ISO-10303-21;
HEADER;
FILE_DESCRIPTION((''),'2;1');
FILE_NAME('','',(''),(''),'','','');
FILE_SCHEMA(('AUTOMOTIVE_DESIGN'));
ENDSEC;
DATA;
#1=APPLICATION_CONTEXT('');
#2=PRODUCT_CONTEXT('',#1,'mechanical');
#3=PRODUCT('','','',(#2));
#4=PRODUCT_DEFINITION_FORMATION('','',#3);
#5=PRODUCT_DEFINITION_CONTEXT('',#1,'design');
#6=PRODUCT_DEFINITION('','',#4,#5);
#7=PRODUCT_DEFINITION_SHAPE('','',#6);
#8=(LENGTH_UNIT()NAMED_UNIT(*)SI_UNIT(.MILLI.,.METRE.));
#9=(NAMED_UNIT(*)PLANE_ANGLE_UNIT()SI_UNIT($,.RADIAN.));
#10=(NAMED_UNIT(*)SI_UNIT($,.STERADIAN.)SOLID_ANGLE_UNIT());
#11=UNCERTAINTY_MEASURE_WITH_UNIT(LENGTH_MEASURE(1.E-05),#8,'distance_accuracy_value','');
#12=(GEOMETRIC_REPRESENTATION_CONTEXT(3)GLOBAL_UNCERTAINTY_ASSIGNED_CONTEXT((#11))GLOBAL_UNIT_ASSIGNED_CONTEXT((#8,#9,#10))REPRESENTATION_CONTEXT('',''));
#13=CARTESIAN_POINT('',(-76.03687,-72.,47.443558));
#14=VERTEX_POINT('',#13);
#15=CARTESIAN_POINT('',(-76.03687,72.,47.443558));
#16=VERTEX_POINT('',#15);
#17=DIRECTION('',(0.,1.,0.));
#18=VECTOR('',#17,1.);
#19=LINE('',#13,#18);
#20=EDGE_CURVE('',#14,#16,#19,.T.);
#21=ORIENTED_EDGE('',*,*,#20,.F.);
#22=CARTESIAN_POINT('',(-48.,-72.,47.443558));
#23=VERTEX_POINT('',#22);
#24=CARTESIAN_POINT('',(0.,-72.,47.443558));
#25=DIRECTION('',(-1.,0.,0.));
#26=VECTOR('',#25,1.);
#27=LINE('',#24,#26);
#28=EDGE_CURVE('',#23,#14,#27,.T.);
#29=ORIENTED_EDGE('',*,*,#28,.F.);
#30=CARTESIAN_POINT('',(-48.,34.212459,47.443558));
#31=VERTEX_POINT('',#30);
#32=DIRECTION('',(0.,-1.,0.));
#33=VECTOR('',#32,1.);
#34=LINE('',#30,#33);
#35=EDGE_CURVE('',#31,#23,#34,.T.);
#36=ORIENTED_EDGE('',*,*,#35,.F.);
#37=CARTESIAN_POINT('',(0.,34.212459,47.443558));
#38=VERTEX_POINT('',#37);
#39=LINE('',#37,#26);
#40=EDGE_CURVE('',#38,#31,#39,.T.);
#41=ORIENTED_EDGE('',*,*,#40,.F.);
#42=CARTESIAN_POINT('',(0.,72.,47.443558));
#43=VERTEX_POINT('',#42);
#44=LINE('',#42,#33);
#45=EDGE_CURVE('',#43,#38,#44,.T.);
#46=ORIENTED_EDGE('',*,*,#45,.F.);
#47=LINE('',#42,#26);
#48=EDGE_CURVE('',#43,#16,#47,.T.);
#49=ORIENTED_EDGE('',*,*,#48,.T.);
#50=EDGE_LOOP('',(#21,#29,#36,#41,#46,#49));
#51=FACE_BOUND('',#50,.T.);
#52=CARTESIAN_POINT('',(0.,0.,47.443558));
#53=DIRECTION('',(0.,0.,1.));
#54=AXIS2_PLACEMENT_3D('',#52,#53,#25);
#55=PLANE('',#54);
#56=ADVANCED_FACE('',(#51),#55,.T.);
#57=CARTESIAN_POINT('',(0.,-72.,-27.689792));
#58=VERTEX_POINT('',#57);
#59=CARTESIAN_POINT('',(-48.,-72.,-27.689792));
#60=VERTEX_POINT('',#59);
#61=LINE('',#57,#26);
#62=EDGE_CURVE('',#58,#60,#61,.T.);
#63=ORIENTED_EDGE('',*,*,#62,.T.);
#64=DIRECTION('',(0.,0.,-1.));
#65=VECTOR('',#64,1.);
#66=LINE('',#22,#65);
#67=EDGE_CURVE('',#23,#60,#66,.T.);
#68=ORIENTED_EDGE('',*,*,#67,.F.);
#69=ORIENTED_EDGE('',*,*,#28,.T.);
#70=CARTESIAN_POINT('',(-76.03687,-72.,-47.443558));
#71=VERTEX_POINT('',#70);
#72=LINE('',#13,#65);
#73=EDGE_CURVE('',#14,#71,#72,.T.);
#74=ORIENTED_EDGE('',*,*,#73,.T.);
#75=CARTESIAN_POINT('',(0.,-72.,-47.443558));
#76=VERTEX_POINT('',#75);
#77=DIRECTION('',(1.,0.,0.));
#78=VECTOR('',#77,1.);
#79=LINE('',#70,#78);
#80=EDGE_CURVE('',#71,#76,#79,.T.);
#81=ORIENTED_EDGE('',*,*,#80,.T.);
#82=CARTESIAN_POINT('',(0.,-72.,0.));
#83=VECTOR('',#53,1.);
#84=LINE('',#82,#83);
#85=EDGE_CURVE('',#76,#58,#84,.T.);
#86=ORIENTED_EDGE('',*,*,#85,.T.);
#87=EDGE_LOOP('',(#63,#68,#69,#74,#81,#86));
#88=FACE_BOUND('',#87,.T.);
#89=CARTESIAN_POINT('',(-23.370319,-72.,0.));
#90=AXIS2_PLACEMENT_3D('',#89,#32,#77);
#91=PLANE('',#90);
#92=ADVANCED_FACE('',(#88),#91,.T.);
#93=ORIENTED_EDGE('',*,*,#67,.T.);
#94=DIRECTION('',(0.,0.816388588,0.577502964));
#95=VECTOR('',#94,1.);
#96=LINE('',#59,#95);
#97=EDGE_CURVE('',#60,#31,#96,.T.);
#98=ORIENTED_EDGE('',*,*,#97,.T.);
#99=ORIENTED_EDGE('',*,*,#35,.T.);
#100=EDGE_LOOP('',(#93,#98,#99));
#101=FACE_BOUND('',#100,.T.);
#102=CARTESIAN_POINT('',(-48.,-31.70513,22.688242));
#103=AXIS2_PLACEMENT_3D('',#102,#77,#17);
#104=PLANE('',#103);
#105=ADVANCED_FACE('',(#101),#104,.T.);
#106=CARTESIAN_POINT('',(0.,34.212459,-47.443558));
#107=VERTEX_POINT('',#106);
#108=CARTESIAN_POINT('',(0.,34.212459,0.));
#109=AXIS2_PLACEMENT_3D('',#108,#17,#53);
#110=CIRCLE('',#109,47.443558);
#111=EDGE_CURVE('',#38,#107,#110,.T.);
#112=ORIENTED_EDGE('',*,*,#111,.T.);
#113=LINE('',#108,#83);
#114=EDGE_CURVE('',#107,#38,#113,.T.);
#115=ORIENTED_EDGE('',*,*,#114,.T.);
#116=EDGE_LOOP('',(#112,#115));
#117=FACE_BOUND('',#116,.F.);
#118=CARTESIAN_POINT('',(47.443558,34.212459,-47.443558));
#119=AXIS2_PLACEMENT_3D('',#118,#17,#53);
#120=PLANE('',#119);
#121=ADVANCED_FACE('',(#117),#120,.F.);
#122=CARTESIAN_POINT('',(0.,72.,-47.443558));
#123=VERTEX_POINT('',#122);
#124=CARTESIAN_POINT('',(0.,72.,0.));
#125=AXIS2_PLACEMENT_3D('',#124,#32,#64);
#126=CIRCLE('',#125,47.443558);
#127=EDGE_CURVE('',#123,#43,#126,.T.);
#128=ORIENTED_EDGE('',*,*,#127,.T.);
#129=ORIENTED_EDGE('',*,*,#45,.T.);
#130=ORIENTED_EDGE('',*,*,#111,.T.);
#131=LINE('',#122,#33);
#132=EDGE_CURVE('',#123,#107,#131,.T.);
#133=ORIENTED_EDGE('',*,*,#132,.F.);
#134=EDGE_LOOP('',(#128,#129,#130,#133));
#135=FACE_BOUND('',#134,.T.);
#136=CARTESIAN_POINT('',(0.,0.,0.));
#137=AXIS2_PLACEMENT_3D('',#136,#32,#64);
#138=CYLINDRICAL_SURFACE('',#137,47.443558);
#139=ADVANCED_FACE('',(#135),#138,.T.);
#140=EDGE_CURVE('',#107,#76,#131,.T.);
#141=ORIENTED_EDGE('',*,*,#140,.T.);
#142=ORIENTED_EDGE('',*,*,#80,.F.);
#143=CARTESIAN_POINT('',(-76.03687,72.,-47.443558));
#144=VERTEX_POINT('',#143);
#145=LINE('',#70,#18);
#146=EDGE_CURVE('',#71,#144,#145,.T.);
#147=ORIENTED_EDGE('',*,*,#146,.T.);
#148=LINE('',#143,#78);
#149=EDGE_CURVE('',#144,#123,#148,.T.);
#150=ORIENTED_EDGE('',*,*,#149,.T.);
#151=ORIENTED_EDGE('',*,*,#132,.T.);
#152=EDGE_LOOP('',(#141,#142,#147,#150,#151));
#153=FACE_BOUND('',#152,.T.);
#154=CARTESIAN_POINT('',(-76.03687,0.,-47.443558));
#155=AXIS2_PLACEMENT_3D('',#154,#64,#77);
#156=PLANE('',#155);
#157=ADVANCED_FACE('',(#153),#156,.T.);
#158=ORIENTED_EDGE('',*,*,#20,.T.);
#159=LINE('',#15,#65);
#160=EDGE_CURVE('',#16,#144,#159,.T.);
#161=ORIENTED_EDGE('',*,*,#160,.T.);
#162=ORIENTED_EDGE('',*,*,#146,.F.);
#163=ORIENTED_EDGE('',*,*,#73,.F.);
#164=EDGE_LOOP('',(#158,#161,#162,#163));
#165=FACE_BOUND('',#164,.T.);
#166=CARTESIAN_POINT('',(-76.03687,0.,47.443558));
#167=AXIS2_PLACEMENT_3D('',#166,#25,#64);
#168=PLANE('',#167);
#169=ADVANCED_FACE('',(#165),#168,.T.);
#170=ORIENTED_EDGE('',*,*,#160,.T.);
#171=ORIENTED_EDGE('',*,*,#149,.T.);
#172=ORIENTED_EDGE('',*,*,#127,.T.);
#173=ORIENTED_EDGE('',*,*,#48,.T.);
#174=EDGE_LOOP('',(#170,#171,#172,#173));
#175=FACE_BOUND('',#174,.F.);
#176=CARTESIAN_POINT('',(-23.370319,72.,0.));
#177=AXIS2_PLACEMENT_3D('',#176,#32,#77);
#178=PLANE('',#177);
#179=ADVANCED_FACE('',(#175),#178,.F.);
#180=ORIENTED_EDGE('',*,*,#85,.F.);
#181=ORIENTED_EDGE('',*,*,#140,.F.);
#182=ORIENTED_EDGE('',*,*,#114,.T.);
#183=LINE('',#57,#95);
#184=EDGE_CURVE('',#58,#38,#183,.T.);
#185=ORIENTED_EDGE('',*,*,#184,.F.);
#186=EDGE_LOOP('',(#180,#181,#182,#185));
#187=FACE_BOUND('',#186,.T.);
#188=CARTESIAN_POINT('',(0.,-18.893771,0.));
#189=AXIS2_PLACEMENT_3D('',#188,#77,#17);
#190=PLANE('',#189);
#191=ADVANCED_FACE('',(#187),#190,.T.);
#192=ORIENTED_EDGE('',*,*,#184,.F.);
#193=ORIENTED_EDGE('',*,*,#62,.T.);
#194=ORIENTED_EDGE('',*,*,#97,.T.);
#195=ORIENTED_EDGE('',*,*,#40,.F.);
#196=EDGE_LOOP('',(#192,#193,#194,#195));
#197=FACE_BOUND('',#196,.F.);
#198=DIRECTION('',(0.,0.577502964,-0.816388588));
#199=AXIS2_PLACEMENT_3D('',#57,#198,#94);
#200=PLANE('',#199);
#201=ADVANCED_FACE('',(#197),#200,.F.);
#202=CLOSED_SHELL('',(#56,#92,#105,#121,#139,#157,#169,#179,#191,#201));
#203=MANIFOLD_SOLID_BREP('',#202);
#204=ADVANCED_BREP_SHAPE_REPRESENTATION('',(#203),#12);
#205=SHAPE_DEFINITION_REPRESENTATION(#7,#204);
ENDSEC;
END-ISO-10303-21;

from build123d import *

# Parameters (mm, degrees)
F1_DEPTH = 72
F4_W     = 106.2124588788
F4_H     = 94.8871162292
F5_DEPTH = 47.4435581146
F7_DEPTH = 48


with BuildPart() as f1:
    # F0 (on Front) → F1 (new body, symmetric)
    with BuildSketch(Plane.XZ):
        with BuildLine():
            Line((-76.0368704796, -47.4435581146), (0, -47.4435581146))
            ThreePointArc((0, -47.4435581146), (47.4435581146, 0), (0, 47.4435581146))
            Line((0, 47.4435581146), (-76.0368704796, 47.4435581146))
            Line((-76.0368704796, 47.4435581146), (-76.0368704796, -47.4435581146))
        make_face()
    extrude(amount=F1_DEPTH, both=True)

    # F4 (on plane+point) → F5 (cut, through all)
    with BuildSketch(Plane.YZ.offset(47.4435581146)):
        with Locations((-18.8937705606, 0)):
            Rectangle(F4_W, F4_H)
    extrude(amount=-F5_DEPTH, mode=Mode.SUBTRACT)

    # F6 (on face) → F7 (cut)
    with BuildSketch(Plane.YZ):
        Polygon((-72, -27.6897922158), (34.2124588788, 47.4435581146), (-72, 47.4435581146), align=None)
    extrude(amount=-F7_DEPTH, mode=Mode.SUBTRACT)


solid = f1.part
